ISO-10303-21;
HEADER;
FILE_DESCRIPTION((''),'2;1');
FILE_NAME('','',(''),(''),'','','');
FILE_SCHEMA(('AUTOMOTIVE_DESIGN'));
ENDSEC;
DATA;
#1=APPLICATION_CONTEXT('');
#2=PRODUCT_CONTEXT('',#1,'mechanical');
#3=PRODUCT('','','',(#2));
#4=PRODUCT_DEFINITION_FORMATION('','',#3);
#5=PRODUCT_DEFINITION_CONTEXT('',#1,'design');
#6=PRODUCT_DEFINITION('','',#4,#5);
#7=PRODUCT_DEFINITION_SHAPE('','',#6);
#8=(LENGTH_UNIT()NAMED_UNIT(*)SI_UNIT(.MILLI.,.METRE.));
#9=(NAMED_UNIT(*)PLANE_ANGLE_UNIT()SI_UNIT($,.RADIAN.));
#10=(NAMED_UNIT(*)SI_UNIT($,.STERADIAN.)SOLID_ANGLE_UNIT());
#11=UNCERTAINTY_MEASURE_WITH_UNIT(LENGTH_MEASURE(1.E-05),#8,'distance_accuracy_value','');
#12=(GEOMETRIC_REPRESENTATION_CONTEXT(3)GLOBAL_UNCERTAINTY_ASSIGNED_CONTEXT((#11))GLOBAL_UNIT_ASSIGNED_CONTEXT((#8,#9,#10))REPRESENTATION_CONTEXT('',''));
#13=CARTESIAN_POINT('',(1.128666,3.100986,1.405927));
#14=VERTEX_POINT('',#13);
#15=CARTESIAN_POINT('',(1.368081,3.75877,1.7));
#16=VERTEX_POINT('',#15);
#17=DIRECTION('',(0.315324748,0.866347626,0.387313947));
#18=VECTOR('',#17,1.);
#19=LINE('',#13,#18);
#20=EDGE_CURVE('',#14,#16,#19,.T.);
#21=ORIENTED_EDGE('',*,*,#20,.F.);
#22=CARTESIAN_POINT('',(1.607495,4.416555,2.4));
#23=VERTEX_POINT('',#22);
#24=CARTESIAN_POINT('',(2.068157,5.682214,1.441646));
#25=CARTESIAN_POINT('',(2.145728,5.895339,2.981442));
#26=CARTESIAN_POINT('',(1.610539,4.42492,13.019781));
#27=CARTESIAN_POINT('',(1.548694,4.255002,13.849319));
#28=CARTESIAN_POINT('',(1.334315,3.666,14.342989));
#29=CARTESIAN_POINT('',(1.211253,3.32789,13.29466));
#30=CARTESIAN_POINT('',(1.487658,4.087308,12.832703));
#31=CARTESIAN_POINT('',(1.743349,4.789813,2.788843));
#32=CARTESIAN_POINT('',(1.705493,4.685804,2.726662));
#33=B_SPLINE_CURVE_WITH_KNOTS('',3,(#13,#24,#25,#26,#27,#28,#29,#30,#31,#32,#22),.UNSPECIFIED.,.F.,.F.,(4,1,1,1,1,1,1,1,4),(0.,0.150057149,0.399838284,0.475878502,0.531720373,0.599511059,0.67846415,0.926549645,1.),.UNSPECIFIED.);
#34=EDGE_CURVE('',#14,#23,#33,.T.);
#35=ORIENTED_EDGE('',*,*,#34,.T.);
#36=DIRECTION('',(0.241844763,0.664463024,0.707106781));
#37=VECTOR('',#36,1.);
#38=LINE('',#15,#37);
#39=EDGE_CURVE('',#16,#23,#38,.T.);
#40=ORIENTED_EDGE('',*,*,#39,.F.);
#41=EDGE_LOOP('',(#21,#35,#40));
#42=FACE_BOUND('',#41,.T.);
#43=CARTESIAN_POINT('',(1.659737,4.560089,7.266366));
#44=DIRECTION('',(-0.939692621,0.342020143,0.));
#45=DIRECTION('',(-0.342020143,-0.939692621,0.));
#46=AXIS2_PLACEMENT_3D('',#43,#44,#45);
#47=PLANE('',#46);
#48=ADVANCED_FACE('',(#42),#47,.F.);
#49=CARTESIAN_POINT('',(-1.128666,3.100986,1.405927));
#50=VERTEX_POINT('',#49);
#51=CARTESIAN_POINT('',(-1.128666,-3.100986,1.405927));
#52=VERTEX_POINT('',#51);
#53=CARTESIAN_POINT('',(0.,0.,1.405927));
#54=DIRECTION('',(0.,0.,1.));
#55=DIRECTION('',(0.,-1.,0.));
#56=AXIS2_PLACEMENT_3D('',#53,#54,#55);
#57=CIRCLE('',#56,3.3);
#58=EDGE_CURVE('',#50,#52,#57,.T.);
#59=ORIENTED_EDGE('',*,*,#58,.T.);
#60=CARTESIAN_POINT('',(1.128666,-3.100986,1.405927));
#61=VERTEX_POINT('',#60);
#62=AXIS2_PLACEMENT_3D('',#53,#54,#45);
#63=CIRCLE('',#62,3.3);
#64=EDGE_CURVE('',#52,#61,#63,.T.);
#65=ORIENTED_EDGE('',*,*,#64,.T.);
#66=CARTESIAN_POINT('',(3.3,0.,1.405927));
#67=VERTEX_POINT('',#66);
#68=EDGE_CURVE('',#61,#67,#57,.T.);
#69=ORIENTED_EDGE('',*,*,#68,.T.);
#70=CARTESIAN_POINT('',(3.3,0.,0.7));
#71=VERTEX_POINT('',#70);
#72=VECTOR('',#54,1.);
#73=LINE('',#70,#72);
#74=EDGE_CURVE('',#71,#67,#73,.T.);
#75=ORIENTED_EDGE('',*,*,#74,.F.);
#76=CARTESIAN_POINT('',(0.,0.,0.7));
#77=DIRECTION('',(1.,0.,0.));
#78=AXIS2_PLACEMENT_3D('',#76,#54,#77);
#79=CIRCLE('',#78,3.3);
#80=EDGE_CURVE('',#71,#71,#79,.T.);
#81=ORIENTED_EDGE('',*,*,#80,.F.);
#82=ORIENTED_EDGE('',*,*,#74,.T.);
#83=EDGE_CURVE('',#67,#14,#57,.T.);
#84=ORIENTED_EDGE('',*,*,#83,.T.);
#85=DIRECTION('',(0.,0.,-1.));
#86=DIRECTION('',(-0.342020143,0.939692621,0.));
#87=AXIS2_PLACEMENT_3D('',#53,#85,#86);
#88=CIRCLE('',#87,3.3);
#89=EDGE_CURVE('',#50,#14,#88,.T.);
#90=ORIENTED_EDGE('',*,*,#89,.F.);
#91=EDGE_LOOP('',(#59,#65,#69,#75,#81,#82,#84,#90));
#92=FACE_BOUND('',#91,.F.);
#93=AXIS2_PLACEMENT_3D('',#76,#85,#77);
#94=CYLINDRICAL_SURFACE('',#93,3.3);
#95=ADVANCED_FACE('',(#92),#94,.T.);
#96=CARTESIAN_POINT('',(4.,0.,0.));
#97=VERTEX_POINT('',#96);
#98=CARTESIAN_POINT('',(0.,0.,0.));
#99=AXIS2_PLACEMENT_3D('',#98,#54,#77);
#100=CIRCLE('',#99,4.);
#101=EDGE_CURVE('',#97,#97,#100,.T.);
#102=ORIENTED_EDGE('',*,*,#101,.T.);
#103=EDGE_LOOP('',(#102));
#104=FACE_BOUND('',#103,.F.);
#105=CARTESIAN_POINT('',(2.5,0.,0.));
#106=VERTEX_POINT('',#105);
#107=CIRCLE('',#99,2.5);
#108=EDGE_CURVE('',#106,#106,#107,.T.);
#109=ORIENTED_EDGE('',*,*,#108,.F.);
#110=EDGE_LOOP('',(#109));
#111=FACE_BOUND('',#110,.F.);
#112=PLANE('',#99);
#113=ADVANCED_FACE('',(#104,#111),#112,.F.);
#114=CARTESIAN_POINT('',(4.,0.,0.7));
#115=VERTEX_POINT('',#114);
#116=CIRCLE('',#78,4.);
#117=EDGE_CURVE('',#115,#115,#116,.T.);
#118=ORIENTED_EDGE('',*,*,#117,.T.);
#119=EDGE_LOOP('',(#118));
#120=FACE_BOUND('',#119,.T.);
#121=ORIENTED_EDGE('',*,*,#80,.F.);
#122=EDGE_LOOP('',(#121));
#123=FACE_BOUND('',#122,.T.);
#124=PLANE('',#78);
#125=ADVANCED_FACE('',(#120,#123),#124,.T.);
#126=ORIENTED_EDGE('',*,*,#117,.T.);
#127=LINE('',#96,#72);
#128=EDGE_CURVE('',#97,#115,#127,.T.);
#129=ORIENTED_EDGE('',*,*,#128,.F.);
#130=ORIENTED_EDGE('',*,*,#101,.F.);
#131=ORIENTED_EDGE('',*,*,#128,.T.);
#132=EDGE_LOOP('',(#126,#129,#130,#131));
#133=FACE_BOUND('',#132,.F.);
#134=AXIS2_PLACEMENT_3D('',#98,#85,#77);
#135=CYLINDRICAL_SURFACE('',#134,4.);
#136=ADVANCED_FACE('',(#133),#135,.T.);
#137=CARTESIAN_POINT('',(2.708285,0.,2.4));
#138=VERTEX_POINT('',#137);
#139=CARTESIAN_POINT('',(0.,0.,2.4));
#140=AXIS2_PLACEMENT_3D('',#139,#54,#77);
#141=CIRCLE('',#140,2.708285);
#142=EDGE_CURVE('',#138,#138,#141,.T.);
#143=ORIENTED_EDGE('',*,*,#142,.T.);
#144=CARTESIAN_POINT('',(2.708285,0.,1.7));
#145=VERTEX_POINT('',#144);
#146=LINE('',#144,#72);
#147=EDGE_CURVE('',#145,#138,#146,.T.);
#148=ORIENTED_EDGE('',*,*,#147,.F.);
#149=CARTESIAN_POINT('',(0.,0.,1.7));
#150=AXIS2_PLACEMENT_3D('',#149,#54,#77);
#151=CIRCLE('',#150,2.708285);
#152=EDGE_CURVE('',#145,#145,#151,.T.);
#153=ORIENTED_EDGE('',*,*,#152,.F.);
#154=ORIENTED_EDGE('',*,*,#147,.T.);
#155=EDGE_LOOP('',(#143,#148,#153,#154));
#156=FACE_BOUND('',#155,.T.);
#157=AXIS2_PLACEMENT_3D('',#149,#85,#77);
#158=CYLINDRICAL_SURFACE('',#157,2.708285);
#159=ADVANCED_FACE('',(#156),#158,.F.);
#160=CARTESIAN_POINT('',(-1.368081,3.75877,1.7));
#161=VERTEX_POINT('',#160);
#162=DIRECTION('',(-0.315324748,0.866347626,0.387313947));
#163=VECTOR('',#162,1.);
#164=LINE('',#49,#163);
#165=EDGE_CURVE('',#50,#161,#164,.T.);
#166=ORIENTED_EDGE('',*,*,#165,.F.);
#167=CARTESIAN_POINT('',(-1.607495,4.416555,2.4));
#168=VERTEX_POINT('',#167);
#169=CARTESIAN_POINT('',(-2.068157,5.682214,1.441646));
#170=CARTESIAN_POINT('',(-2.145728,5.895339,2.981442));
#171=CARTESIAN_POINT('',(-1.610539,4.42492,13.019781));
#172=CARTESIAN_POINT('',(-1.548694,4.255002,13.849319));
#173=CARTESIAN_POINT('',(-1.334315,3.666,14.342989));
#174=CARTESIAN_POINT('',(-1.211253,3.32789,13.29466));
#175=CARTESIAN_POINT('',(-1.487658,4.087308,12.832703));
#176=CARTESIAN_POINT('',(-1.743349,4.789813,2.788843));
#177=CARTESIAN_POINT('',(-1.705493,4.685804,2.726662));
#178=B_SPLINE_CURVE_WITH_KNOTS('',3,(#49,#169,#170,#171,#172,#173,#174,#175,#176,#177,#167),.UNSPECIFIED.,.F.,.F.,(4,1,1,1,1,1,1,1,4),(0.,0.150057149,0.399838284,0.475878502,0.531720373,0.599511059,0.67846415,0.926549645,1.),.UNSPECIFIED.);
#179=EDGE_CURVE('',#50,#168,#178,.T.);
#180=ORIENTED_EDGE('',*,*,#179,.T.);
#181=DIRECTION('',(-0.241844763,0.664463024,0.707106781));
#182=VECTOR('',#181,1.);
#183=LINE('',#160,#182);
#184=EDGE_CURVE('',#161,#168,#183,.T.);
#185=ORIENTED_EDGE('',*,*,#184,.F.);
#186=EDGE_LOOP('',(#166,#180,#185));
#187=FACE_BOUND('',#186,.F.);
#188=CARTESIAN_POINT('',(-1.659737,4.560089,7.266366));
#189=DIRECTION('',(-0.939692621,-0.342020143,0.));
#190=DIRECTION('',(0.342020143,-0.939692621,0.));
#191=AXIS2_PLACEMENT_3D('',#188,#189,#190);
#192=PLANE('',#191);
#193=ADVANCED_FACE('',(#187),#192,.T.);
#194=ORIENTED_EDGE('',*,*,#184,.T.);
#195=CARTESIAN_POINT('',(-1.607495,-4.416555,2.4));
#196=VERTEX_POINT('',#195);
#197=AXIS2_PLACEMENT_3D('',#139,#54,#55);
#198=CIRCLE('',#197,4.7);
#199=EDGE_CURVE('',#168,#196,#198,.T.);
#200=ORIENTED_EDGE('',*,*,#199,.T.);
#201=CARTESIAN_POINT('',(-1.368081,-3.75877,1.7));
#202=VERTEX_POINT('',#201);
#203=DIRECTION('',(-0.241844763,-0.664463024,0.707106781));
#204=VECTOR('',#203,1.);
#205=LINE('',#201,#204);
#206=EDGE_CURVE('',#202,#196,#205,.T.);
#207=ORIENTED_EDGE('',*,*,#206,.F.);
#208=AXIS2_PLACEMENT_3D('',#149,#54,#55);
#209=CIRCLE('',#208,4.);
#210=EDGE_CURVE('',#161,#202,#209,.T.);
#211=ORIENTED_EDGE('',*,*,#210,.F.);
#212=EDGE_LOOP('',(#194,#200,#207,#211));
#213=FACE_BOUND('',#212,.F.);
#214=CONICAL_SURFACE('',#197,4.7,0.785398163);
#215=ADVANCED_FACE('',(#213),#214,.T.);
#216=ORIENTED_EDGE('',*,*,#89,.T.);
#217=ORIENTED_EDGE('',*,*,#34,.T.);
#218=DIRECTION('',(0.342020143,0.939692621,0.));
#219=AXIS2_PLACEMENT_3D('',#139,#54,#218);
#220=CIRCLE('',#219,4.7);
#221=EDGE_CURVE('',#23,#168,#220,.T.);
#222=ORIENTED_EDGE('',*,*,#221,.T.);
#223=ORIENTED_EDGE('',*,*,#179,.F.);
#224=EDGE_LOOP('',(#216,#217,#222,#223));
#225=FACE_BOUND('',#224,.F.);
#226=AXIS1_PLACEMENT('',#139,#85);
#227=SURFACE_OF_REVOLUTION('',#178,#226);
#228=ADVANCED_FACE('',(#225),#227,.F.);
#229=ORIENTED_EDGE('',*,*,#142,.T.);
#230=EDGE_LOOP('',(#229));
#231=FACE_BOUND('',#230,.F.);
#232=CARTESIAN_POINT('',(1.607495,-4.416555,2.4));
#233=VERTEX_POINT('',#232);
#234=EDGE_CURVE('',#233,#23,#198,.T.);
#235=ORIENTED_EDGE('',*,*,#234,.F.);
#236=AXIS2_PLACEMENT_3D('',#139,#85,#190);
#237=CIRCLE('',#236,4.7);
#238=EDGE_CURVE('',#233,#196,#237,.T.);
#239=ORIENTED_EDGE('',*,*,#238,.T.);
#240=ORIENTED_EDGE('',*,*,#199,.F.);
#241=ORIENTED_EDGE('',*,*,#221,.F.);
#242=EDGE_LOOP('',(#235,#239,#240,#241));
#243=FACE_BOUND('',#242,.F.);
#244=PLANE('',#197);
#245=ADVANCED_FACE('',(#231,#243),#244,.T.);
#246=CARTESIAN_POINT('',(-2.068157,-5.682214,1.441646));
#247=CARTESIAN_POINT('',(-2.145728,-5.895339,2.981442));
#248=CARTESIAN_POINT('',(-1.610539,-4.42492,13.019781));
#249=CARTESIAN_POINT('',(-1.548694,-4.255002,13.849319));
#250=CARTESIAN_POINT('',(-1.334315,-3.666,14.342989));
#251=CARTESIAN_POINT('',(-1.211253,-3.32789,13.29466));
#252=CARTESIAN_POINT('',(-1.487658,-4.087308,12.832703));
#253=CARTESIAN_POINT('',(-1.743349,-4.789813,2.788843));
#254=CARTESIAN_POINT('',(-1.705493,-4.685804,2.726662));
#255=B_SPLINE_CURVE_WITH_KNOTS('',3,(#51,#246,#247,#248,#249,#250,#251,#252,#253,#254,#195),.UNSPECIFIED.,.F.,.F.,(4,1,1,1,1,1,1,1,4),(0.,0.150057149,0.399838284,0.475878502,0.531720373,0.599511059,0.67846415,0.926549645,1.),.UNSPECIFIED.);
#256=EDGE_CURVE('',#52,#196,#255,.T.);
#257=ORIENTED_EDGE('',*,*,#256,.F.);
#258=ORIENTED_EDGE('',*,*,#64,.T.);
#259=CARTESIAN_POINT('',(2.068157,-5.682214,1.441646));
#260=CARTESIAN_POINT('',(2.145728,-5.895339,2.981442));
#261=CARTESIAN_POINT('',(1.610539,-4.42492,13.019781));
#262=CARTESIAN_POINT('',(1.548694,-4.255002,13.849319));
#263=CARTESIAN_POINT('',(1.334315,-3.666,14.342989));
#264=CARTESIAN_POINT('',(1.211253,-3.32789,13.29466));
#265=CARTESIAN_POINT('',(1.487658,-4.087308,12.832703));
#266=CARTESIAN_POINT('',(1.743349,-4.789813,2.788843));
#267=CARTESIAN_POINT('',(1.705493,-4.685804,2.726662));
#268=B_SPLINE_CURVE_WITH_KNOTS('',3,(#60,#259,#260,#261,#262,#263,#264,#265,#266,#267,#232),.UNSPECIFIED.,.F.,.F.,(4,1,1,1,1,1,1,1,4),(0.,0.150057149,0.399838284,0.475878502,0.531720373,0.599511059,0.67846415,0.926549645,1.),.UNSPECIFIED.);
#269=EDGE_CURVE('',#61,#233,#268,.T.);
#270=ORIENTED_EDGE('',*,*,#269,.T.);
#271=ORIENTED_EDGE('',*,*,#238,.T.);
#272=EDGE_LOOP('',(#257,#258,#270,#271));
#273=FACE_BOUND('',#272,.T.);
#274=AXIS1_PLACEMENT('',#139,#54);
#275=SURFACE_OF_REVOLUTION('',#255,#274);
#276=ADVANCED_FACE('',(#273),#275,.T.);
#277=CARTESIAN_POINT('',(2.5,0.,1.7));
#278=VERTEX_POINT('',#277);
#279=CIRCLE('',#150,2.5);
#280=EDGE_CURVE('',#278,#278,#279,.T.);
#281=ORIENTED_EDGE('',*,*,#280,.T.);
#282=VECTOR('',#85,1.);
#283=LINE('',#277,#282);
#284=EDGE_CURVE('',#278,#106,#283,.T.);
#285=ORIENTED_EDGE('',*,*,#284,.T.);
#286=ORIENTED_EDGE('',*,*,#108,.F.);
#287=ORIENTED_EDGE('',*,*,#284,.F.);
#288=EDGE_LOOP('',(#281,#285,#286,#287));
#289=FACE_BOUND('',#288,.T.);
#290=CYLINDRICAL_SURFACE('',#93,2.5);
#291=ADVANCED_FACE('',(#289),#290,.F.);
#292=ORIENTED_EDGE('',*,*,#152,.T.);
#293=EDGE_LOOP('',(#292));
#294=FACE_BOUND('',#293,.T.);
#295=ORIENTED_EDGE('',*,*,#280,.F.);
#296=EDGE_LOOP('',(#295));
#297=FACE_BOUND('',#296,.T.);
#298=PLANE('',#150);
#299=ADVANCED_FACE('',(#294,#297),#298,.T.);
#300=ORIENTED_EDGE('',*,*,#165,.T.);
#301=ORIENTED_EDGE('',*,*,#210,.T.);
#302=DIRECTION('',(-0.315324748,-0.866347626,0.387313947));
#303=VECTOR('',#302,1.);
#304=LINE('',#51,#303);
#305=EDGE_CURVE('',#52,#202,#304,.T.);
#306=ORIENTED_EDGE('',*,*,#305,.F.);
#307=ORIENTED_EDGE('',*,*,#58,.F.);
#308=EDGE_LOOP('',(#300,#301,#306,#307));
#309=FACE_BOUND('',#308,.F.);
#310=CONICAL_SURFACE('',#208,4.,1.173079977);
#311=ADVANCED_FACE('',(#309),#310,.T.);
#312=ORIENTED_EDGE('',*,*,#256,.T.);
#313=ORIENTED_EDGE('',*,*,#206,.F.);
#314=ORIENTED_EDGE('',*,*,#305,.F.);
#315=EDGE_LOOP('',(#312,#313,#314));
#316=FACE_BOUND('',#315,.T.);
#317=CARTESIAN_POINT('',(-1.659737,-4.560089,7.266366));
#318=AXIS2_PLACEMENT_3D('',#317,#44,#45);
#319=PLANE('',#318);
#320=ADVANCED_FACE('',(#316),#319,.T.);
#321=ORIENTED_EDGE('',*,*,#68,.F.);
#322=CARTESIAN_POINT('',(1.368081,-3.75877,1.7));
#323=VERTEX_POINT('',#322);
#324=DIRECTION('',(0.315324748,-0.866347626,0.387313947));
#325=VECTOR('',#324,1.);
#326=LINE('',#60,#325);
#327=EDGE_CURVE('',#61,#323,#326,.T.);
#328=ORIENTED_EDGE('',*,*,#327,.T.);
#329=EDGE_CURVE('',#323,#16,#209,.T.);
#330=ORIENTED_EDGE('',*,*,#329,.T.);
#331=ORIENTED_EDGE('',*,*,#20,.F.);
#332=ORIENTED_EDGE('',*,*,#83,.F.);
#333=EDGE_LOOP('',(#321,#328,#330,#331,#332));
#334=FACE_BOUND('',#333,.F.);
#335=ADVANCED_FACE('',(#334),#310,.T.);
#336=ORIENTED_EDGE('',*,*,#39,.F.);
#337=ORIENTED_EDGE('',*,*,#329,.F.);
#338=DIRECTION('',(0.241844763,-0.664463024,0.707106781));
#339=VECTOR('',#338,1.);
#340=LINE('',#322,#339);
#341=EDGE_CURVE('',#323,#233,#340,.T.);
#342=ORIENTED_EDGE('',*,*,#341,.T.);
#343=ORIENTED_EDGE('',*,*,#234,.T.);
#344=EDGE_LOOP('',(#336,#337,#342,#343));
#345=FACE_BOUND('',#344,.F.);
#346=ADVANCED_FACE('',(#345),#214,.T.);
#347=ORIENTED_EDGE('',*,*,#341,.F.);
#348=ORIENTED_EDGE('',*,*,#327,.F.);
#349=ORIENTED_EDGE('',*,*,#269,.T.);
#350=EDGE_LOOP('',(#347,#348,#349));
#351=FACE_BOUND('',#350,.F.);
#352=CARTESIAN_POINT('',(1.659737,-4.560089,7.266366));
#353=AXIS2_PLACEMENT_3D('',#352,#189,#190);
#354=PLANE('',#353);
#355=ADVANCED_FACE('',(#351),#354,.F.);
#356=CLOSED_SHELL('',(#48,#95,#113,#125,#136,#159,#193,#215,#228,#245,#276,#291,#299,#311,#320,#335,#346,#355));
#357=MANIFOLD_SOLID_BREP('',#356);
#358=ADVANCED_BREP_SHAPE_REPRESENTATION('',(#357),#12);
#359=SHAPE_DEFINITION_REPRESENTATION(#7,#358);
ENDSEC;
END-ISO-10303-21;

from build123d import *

# Parameters (mm, degrees)
F0_R          = 4
F0_R_2        = 2.5
F1_DEPTH      = 0.7
F2_R          = 3.3
F2_R_2        = 2.5
F3_DEPTH      = 1
F4_R          = 4
F4_R_2        = 2.7082847247
F5_DEPTH      = 0.7
F9_ANGLE_BACK = 20
F9_ANGLE      = 40


with BuildPart() as f1:
    # F0 (on Top) → F1 (new body)
    with BuildSketch(Plane.XY):
        Circle(F0_R)
        Circle(F0_R_2, mode=Mode.SUBTRACT)
    extrude(amount=F1_DEPTH)

    # F2 (on face) → F3 (join)
    with BuildSketch(Plane.XY.offset(0.7)):
        Circle(F2_R)
        Circle(F2_R_2, mode=Mode.SUBTRACT)
    extrude(amount=F3_DEPTH)

    # F4 (on face) → F5 (join)
    with BuildSketch(Plane.XY.offset(1.7)):
        Circle(F4_R)
        Circle(F4_R_2, mode=Mode.SUBTRACT)
    extrude(amount=F5_DEPTH)

    # F6 (on Right) → F7 (revolve)
    with BuildSketch(Plane.YZ):
        Polygon((-4, 1.7), (-4, 2.4), (-4.7, 2.4), align=None)
        Polygon((-3.3, 1.7), (-4, 1.7), (-3.3, 1.4059272362), align=None)
    revolve(axis=Axis((0, 0, 2.4), (0, 0, 1)))

    # F8 (on Right) → F9 (revolve)
    with BuildSketch(Plane.YZ, mode=Mode.PRIVATE) as f9_sk:
        with BuildLine():
            add(Edge.make_bspline(
                [(-3.3, 1.4059272362), (-6.0468855435, 1.441646311), (-6.2736891755, 2.9814417815), (-4.7089018779, 13.0197805627), (-4.5280783622, 13.8493191708), (-3.9012755567, 14.3429894387), (-3.5414669526, 13.2946596808), (-4.3496219383, 12.8327032699), (-5.097212262, 2.7888434187), (-4.9865280125, 2.7266615906), (-4.7, 2.4)],
                knots=[0, 0, 0, 0, 0.1500571493, 0.3998382837, 0.4758785019, 0.5317203727, 0.5995110586, 0.6784641499, 0.9265496454, 1, 1, 1, 1], degree=3))
            Line((-3.3, 1.4059272362), (-4, 1.7))
            Line((-4, 1.7), (-4.7, 2.4))
        make_face()
    revolve(f9_sk.sketch.rotate(Axis((0, 0, 2.4), (0, 0, 1)), -F9_ANGLE_BACK), axis=Axis((0, 0, 2.4), (0, 0, 1)), revolution_arc=F9_ANGLE)

    # F10: F1 across plane


with BuildPart() as f1_1:
    add(f1.part)
    add(f1.part.mirror(Plane.XZ))


solid = f1_1.part
